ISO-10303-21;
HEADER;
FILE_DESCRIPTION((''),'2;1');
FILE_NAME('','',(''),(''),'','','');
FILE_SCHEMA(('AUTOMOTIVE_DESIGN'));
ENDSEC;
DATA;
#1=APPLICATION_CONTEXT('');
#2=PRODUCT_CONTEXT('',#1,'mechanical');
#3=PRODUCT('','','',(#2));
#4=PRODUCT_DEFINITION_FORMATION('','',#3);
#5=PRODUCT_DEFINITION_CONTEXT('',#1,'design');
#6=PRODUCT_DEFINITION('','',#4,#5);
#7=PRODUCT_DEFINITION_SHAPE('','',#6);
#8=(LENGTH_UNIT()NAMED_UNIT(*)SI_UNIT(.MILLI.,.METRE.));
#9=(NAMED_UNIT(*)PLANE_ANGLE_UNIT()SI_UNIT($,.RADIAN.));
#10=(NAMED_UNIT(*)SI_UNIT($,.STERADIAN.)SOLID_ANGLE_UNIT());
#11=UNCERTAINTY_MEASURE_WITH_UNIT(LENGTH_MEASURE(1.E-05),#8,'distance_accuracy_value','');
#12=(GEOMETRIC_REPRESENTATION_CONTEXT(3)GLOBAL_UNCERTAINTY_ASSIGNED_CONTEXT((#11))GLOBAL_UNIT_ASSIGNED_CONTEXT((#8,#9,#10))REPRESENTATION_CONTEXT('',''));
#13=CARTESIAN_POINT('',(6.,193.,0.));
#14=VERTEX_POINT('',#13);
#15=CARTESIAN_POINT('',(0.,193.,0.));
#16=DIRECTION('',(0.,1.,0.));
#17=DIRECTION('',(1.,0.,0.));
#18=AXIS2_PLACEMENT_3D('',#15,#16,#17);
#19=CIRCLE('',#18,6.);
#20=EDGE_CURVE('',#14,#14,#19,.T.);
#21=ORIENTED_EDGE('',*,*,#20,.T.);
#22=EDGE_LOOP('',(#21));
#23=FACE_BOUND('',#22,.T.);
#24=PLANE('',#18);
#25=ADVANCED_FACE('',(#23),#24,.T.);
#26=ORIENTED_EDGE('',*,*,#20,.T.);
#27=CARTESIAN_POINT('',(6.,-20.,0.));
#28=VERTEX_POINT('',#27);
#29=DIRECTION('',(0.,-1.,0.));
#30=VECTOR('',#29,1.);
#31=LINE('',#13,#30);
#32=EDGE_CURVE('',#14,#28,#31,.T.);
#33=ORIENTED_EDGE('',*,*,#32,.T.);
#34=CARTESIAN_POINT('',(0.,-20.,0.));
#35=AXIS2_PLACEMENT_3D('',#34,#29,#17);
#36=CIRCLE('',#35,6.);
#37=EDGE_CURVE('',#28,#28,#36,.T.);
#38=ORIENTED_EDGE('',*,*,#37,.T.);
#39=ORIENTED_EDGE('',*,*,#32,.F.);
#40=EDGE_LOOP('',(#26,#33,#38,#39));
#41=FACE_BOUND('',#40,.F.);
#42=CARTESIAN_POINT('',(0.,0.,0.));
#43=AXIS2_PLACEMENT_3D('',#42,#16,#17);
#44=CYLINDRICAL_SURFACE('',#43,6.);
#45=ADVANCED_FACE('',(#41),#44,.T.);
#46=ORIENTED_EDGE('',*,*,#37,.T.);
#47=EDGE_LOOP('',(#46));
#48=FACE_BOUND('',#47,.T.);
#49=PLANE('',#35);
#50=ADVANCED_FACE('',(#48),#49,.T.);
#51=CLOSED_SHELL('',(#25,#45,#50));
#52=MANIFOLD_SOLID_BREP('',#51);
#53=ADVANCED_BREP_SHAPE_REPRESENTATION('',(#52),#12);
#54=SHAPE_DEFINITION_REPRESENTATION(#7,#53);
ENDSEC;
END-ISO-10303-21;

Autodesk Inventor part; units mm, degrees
ref_plane "YZ Plane" through (0, 0, 0) normal (1, 0, 0) x (0, 1, 0)
ref_plane "XZ Plane" through (0, 0, 0) normal (0, 1, 0) x (-1, 0, 0)
ref_plane "XY Plane" through (0, 0, 0) normal (0, 0, 1) x (1, 0, 0)
sketch "スケッチ1" plane through (0, 0, 0) normal (0, 1, 0) x (-1, 0, 0)
  circle A0 centre (0, 0) radius 5
  dimension "d0" = 10
extrude "押し出し1" add sketch "スケッチ1" along normal blind 193
sketch "スケッチ2" plane through (0, 193, 0) normal (0, 1, 0) x (1, 0, 0)
  circle A0 centre (0, 0) radius 4
  circle A1 centre (0, 0) radius 5
  dimension "d3" = 8
  dimension "d4" = 10
extrude "押し出し2" cut sketch "スケッチ2" against normal blind 193
sketch "スケッチ3" plane through (0, 193, 0) normal (0, 1, 0) x (1, 0, 0)
  circle A0 centre (0, 0) radius 6
  circle A1 centre (0, 0) radius 4
  dimension "d7" = 12
  dimension "d9" = 8
extrude "押し出し3" add sketch "スケッチ3" against normal blind 193
sketch "スケッチ4" plane through (0, 0, 0) normal (0, -1, 0) x (1, 0, 0)
  circle A0 centre (0, 0) radius 6
  dimension "d12" = 12
extrude "押し出し4" add sketch "スケッチ4" along normal blind 20
properties part number "射出_軸" material "アルミニウム 6061"
